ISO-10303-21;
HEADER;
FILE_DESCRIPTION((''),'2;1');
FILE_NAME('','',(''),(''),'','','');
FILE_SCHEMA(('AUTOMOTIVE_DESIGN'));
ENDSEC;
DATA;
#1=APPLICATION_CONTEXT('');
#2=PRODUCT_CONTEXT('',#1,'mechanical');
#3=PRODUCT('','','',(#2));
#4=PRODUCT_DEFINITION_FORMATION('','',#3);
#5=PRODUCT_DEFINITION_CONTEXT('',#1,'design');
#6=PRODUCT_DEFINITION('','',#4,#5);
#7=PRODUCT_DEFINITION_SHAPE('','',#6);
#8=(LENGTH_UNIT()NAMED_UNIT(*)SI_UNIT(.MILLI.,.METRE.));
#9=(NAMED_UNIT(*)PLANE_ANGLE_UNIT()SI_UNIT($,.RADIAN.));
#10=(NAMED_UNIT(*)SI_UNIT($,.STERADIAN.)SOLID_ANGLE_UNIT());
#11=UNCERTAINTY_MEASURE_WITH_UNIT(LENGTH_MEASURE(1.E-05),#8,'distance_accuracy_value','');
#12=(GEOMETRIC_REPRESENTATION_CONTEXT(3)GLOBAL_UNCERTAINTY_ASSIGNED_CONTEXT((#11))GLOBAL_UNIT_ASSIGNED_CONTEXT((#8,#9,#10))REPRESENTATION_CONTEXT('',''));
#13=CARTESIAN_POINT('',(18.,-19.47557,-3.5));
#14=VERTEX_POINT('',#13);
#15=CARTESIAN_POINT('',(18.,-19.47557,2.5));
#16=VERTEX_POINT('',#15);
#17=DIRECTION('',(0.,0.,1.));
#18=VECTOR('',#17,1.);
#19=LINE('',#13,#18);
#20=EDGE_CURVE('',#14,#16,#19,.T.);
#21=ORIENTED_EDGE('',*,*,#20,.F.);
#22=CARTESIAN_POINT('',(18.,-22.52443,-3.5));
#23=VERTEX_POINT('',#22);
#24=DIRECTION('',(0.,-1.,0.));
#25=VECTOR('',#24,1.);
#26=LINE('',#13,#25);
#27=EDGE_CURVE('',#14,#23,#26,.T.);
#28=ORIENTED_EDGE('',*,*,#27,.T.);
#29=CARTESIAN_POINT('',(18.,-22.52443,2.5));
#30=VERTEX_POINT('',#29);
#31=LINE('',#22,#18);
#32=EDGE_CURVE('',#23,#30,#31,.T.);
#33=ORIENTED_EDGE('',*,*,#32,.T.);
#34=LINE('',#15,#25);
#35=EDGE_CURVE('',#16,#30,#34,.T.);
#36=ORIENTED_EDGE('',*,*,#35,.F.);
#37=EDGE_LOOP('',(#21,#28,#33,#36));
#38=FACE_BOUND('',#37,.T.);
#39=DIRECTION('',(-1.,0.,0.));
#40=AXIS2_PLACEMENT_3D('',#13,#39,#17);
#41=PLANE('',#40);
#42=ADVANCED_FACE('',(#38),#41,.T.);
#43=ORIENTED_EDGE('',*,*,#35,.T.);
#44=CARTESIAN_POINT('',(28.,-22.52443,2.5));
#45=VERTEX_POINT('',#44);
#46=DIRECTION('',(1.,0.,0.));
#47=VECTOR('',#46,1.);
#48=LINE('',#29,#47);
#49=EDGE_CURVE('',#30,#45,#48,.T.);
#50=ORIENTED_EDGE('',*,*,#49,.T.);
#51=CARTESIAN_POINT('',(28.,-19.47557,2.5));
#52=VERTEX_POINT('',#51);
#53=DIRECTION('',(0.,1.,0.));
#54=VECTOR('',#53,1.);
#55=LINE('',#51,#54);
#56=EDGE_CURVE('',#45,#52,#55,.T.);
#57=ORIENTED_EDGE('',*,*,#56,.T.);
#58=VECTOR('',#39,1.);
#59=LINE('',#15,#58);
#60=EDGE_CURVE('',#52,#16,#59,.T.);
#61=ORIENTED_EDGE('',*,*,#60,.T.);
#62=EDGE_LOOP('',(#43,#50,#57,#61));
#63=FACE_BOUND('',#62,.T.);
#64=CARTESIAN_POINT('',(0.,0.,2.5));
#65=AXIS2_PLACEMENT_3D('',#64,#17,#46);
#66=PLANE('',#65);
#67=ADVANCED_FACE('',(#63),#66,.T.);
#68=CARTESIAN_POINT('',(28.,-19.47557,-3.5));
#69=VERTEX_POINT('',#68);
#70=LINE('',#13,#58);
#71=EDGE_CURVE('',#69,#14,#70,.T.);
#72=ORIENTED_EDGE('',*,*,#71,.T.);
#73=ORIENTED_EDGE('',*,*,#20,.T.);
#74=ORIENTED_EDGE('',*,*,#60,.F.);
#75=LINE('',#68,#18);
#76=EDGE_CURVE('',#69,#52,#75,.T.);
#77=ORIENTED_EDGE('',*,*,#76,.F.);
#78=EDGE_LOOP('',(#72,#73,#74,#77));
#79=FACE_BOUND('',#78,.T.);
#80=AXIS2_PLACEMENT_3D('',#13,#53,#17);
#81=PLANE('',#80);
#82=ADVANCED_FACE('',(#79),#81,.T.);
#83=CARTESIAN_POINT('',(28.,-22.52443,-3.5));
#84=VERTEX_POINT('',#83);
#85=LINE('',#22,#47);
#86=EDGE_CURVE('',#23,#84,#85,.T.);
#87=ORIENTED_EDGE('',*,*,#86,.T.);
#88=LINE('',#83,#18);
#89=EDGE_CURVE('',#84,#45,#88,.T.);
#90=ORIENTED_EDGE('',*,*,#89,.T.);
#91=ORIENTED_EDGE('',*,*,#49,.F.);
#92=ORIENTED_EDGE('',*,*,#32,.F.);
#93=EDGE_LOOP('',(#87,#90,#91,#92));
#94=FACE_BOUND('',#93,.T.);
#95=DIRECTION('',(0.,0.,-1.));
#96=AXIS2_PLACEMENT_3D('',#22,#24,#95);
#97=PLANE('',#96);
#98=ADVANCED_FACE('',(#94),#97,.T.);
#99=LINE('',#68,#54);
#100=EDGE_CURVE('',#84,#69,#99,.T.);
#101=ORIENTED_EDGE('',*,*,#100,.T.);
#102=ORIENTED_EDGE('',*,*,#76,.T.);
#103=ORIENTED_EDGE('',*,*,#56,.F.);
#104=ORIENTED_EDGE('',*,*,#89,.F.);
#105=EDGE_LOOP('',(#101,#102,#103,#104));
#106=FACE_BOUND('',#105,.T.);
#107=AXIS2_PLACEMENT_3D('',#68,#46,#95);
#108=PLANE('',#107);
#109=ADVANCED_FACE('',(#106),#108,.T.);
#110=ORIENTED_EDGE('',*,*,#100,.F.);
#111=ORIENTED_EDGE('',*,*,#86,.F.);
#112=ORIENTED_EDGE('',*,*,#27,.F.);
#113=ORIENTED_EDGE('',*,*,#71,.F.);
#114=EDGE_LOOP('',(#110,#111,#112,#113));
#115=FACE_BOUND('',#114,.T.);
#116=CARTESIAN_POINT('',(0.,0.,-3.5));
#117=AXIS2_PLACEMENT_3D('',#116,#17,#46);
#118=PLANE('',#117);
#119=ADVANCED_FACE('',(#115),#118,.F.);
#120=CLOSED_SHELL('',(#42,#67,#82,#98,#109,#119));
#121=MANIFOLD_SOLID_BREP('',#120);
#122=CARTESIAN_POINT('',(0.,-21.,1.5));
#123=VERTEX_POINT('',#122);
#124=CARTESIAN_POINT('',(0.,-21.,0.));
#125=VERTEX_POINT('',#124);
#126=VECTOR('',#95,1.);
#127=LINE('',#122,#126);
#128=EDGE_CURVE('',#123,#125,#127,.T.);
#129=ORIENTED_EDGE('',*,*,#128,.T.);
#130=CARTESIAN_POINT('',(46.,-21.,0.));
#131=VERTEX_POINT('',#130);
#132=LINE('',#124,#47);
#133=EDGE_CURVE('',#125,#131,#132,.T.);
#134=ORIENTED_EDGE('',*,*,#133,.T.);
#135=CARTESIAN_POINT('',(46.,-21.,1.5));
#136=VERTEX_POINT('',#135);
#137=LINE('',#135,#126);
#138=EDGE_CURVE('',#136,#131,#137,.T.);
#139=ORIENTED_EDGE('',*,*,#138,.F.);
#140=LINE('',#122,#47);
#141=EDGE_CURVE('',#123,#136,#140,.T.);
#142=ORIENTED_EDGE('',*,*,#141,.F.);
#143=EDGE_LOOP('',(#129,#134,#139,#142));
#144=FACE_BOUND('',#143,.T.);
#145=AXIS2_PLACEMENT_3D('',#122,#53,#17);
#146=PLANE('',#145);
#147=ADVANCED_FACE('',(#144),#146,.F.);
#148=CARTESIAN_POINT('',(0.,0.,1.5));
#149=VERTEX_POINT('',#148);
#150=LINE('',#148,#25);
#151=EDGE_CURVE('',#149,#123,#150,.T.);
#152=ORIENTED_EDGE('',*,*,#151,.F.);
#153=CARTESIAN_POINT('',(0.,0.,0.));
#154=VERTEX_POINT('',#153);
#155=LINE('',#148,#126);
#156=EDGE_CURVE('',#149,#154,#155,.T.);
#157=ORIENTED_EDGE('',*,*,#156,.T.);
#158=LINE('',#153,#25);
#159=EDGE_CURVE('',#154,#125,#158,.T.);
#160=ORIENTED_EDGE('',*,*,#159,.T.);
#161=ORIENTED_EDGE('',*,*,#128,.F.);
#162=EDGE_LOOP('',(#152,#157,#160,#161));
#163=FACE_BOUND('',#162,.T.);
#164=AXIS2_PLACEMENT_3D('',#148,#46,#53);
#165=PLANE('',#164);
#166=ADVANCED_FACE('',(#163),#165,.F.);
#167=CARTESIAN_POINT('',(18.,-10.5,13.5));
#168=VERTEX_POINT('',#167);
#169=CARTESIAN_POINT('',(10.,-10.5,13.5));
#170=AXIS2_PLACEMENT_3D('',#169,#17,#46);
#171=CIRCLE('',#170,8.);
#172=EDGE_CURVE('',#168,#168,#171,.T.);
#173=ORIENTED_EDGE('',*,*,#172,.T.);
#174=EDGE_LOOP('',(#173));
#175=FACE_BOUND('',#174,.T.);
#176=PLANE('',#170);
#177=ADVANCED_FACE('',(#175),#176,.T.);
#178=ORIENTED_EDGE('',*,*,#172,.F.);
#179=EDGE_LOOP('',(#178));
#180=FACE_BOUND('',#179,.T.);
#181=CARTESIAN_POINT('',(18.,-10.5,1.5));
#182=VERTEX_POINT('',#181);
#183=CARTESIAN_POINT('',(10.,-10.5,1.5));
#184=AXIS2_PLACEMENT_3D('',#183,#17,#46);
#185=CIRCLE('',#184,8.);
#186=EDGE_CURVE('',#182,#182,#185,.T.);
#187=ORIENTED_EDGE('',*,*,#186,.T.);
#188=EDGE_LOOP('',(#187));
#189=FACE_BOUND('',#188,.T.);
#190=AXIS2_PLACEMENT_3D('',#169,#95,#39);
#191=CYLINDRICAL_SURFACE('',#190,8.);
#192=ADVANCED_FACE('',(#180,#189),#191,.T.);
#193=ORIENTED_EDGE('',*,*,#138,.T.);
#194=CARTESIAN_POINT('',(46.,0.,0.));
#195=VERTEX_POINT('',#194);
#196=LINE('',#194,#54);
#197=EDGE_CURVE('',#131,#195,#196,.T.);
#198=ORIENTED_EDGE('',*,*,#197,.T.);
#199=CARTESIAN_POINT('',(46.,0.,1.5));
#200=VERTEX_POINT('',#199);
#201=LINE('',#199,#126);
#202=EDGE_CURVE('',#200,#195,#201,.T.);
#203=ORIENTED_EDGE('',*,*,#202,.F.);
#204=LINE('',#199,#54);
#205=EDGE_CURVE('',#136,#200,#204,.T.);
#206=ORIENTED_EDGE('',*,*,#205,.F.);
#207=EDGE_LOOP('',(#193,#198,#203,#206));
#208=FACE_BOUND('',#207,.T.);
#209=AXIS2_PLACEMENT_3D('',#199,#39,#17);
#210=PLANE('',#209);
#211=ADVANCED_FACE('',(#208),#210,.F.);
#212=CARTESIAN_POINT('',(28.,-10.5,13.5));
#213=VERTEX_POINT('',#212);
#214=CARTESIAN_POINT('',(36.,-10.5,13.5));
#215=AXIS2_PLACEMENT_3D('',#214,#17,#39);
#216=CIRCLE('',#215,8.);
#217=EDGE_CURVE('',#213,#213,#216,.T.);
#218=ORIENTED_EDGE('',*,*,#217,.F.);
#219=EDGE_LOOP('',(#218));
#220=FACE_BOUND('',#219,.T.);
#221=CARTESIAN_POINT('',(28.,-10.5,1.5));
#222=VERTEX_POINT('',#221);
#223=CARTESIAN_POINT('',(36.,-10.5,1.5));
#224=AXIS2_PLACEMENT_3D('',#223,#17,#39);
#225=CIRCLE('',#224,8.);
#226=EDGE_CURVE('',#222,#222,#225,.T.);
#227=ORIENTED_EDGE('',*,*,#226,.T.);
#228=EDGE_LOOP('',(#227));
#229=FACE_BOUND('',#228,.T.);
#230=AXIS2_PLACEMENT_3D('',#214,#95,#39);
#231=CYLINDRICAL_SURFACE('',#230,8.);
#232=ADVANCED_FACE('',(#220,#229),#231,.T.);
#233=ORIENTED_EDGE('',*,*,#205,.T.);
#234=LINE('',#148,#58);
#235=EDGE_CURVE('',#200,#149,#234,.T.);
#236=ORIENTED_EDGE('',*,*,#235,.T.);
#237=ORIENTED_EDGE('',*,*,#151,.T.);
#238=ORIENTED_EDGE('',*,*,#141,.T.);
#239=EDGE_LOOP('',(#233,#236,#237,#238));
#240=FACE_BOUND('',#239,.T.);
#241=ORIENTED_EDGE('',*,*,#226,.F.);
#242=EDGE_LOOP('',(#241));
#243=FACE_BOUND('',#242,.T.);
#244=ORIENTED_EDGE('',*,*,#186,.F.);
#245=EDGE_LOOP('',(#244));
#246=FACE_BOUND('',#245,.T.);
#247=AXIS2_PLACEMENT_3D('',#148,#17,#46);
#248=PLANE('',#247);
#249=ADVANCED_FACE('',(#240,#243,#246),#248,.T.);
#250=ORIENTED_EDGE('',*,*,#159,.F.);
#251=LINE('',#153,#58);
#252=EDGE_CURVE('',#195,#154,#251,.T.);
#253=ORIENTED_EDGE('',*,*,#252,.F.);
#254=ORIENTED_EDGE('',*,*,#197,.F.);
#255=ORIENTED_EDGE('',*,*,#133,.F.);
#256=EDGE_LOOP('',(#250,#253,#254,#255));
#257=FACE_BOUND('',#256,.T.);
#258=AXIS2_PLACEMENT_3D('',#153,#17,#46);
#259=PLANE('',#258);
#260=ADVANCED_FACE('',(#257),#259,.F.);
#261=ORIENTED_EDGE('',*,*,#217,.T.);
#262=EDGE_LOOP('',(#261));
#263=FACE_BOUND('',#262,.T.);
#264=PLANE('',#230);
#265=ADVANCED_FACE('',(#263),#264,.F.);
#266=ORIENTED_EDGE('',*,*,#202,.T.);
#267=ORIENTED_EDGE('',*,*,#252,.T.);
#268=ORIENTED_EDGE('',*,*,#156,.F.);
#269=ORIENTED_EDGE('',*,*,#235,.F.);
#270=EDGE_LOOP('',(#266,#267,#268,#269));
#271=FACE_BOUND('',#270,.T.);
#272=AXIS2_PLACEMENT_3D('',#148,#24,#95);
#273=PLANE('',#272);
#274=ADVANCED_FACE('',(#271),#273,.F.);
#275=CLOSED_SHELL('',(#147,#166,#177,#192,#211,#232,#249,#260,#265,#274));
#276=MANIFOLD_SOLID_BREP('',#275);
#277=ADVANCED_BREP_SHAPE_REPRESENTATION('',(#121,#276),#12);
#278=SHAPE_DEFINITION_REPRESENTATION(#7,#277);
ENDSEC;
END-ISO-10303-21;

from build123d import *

# Parameters (mm, degrees)
SKETCH_1_W           = 46
SKETCH_1_H           = 21
EXTRUDE_1_DEPTH      = 1.5
SKETCH_2_R           = 8
EXTRUDE_2_DEPTH      = 12
SKETCH_3_W           = 10
SKETCH_3_H           = 3.04885902
EXTRUDE_3_DEPTH      = 1
EXTRUDE_3_DEPTH_BACK = 5


with BuildPart() as part:
    # 草图1 → 凸台-拉伸1 (new body)
    with BuildSketch(Plane.XY):
        with Locations((23, -10.5)):
            Rectangle(SKETCH_1_W, SKETCH_1_H)
    extrude(amount=EXTRUDE_1_DEPTH)

    # 草图2 → 凸台-拉伸2 (add)
    with BuildSketch(Plane.XY.offset(1.5)):
        with Locations((10, -10.5)):
            Circle(SKETCH_2_R)
        with Locations((36, -10.5)):
            Circle(SKETCH_2_R)
    extrude(amount=EXTRUDE_2_DEPTH)


with BuildPart() as body_2:
    # 草图3 → 凸台-拉伸3 (new body, two sides)
    with BuildSketch(Plane.XY.offset(1.5)) as extrude_3_sk:
        with Locations((23, -21)):
            Rectangle(SKETCH_3_W, SKETCH_3_H)
    extrude(amount=EXTRUDE_3_DEPTH)
    extrude(extrude_3_sk.sketch, amount=-EXTRUDE_3_DEPTH_BACK)


solid = Compound([part.part, body_2.part])
